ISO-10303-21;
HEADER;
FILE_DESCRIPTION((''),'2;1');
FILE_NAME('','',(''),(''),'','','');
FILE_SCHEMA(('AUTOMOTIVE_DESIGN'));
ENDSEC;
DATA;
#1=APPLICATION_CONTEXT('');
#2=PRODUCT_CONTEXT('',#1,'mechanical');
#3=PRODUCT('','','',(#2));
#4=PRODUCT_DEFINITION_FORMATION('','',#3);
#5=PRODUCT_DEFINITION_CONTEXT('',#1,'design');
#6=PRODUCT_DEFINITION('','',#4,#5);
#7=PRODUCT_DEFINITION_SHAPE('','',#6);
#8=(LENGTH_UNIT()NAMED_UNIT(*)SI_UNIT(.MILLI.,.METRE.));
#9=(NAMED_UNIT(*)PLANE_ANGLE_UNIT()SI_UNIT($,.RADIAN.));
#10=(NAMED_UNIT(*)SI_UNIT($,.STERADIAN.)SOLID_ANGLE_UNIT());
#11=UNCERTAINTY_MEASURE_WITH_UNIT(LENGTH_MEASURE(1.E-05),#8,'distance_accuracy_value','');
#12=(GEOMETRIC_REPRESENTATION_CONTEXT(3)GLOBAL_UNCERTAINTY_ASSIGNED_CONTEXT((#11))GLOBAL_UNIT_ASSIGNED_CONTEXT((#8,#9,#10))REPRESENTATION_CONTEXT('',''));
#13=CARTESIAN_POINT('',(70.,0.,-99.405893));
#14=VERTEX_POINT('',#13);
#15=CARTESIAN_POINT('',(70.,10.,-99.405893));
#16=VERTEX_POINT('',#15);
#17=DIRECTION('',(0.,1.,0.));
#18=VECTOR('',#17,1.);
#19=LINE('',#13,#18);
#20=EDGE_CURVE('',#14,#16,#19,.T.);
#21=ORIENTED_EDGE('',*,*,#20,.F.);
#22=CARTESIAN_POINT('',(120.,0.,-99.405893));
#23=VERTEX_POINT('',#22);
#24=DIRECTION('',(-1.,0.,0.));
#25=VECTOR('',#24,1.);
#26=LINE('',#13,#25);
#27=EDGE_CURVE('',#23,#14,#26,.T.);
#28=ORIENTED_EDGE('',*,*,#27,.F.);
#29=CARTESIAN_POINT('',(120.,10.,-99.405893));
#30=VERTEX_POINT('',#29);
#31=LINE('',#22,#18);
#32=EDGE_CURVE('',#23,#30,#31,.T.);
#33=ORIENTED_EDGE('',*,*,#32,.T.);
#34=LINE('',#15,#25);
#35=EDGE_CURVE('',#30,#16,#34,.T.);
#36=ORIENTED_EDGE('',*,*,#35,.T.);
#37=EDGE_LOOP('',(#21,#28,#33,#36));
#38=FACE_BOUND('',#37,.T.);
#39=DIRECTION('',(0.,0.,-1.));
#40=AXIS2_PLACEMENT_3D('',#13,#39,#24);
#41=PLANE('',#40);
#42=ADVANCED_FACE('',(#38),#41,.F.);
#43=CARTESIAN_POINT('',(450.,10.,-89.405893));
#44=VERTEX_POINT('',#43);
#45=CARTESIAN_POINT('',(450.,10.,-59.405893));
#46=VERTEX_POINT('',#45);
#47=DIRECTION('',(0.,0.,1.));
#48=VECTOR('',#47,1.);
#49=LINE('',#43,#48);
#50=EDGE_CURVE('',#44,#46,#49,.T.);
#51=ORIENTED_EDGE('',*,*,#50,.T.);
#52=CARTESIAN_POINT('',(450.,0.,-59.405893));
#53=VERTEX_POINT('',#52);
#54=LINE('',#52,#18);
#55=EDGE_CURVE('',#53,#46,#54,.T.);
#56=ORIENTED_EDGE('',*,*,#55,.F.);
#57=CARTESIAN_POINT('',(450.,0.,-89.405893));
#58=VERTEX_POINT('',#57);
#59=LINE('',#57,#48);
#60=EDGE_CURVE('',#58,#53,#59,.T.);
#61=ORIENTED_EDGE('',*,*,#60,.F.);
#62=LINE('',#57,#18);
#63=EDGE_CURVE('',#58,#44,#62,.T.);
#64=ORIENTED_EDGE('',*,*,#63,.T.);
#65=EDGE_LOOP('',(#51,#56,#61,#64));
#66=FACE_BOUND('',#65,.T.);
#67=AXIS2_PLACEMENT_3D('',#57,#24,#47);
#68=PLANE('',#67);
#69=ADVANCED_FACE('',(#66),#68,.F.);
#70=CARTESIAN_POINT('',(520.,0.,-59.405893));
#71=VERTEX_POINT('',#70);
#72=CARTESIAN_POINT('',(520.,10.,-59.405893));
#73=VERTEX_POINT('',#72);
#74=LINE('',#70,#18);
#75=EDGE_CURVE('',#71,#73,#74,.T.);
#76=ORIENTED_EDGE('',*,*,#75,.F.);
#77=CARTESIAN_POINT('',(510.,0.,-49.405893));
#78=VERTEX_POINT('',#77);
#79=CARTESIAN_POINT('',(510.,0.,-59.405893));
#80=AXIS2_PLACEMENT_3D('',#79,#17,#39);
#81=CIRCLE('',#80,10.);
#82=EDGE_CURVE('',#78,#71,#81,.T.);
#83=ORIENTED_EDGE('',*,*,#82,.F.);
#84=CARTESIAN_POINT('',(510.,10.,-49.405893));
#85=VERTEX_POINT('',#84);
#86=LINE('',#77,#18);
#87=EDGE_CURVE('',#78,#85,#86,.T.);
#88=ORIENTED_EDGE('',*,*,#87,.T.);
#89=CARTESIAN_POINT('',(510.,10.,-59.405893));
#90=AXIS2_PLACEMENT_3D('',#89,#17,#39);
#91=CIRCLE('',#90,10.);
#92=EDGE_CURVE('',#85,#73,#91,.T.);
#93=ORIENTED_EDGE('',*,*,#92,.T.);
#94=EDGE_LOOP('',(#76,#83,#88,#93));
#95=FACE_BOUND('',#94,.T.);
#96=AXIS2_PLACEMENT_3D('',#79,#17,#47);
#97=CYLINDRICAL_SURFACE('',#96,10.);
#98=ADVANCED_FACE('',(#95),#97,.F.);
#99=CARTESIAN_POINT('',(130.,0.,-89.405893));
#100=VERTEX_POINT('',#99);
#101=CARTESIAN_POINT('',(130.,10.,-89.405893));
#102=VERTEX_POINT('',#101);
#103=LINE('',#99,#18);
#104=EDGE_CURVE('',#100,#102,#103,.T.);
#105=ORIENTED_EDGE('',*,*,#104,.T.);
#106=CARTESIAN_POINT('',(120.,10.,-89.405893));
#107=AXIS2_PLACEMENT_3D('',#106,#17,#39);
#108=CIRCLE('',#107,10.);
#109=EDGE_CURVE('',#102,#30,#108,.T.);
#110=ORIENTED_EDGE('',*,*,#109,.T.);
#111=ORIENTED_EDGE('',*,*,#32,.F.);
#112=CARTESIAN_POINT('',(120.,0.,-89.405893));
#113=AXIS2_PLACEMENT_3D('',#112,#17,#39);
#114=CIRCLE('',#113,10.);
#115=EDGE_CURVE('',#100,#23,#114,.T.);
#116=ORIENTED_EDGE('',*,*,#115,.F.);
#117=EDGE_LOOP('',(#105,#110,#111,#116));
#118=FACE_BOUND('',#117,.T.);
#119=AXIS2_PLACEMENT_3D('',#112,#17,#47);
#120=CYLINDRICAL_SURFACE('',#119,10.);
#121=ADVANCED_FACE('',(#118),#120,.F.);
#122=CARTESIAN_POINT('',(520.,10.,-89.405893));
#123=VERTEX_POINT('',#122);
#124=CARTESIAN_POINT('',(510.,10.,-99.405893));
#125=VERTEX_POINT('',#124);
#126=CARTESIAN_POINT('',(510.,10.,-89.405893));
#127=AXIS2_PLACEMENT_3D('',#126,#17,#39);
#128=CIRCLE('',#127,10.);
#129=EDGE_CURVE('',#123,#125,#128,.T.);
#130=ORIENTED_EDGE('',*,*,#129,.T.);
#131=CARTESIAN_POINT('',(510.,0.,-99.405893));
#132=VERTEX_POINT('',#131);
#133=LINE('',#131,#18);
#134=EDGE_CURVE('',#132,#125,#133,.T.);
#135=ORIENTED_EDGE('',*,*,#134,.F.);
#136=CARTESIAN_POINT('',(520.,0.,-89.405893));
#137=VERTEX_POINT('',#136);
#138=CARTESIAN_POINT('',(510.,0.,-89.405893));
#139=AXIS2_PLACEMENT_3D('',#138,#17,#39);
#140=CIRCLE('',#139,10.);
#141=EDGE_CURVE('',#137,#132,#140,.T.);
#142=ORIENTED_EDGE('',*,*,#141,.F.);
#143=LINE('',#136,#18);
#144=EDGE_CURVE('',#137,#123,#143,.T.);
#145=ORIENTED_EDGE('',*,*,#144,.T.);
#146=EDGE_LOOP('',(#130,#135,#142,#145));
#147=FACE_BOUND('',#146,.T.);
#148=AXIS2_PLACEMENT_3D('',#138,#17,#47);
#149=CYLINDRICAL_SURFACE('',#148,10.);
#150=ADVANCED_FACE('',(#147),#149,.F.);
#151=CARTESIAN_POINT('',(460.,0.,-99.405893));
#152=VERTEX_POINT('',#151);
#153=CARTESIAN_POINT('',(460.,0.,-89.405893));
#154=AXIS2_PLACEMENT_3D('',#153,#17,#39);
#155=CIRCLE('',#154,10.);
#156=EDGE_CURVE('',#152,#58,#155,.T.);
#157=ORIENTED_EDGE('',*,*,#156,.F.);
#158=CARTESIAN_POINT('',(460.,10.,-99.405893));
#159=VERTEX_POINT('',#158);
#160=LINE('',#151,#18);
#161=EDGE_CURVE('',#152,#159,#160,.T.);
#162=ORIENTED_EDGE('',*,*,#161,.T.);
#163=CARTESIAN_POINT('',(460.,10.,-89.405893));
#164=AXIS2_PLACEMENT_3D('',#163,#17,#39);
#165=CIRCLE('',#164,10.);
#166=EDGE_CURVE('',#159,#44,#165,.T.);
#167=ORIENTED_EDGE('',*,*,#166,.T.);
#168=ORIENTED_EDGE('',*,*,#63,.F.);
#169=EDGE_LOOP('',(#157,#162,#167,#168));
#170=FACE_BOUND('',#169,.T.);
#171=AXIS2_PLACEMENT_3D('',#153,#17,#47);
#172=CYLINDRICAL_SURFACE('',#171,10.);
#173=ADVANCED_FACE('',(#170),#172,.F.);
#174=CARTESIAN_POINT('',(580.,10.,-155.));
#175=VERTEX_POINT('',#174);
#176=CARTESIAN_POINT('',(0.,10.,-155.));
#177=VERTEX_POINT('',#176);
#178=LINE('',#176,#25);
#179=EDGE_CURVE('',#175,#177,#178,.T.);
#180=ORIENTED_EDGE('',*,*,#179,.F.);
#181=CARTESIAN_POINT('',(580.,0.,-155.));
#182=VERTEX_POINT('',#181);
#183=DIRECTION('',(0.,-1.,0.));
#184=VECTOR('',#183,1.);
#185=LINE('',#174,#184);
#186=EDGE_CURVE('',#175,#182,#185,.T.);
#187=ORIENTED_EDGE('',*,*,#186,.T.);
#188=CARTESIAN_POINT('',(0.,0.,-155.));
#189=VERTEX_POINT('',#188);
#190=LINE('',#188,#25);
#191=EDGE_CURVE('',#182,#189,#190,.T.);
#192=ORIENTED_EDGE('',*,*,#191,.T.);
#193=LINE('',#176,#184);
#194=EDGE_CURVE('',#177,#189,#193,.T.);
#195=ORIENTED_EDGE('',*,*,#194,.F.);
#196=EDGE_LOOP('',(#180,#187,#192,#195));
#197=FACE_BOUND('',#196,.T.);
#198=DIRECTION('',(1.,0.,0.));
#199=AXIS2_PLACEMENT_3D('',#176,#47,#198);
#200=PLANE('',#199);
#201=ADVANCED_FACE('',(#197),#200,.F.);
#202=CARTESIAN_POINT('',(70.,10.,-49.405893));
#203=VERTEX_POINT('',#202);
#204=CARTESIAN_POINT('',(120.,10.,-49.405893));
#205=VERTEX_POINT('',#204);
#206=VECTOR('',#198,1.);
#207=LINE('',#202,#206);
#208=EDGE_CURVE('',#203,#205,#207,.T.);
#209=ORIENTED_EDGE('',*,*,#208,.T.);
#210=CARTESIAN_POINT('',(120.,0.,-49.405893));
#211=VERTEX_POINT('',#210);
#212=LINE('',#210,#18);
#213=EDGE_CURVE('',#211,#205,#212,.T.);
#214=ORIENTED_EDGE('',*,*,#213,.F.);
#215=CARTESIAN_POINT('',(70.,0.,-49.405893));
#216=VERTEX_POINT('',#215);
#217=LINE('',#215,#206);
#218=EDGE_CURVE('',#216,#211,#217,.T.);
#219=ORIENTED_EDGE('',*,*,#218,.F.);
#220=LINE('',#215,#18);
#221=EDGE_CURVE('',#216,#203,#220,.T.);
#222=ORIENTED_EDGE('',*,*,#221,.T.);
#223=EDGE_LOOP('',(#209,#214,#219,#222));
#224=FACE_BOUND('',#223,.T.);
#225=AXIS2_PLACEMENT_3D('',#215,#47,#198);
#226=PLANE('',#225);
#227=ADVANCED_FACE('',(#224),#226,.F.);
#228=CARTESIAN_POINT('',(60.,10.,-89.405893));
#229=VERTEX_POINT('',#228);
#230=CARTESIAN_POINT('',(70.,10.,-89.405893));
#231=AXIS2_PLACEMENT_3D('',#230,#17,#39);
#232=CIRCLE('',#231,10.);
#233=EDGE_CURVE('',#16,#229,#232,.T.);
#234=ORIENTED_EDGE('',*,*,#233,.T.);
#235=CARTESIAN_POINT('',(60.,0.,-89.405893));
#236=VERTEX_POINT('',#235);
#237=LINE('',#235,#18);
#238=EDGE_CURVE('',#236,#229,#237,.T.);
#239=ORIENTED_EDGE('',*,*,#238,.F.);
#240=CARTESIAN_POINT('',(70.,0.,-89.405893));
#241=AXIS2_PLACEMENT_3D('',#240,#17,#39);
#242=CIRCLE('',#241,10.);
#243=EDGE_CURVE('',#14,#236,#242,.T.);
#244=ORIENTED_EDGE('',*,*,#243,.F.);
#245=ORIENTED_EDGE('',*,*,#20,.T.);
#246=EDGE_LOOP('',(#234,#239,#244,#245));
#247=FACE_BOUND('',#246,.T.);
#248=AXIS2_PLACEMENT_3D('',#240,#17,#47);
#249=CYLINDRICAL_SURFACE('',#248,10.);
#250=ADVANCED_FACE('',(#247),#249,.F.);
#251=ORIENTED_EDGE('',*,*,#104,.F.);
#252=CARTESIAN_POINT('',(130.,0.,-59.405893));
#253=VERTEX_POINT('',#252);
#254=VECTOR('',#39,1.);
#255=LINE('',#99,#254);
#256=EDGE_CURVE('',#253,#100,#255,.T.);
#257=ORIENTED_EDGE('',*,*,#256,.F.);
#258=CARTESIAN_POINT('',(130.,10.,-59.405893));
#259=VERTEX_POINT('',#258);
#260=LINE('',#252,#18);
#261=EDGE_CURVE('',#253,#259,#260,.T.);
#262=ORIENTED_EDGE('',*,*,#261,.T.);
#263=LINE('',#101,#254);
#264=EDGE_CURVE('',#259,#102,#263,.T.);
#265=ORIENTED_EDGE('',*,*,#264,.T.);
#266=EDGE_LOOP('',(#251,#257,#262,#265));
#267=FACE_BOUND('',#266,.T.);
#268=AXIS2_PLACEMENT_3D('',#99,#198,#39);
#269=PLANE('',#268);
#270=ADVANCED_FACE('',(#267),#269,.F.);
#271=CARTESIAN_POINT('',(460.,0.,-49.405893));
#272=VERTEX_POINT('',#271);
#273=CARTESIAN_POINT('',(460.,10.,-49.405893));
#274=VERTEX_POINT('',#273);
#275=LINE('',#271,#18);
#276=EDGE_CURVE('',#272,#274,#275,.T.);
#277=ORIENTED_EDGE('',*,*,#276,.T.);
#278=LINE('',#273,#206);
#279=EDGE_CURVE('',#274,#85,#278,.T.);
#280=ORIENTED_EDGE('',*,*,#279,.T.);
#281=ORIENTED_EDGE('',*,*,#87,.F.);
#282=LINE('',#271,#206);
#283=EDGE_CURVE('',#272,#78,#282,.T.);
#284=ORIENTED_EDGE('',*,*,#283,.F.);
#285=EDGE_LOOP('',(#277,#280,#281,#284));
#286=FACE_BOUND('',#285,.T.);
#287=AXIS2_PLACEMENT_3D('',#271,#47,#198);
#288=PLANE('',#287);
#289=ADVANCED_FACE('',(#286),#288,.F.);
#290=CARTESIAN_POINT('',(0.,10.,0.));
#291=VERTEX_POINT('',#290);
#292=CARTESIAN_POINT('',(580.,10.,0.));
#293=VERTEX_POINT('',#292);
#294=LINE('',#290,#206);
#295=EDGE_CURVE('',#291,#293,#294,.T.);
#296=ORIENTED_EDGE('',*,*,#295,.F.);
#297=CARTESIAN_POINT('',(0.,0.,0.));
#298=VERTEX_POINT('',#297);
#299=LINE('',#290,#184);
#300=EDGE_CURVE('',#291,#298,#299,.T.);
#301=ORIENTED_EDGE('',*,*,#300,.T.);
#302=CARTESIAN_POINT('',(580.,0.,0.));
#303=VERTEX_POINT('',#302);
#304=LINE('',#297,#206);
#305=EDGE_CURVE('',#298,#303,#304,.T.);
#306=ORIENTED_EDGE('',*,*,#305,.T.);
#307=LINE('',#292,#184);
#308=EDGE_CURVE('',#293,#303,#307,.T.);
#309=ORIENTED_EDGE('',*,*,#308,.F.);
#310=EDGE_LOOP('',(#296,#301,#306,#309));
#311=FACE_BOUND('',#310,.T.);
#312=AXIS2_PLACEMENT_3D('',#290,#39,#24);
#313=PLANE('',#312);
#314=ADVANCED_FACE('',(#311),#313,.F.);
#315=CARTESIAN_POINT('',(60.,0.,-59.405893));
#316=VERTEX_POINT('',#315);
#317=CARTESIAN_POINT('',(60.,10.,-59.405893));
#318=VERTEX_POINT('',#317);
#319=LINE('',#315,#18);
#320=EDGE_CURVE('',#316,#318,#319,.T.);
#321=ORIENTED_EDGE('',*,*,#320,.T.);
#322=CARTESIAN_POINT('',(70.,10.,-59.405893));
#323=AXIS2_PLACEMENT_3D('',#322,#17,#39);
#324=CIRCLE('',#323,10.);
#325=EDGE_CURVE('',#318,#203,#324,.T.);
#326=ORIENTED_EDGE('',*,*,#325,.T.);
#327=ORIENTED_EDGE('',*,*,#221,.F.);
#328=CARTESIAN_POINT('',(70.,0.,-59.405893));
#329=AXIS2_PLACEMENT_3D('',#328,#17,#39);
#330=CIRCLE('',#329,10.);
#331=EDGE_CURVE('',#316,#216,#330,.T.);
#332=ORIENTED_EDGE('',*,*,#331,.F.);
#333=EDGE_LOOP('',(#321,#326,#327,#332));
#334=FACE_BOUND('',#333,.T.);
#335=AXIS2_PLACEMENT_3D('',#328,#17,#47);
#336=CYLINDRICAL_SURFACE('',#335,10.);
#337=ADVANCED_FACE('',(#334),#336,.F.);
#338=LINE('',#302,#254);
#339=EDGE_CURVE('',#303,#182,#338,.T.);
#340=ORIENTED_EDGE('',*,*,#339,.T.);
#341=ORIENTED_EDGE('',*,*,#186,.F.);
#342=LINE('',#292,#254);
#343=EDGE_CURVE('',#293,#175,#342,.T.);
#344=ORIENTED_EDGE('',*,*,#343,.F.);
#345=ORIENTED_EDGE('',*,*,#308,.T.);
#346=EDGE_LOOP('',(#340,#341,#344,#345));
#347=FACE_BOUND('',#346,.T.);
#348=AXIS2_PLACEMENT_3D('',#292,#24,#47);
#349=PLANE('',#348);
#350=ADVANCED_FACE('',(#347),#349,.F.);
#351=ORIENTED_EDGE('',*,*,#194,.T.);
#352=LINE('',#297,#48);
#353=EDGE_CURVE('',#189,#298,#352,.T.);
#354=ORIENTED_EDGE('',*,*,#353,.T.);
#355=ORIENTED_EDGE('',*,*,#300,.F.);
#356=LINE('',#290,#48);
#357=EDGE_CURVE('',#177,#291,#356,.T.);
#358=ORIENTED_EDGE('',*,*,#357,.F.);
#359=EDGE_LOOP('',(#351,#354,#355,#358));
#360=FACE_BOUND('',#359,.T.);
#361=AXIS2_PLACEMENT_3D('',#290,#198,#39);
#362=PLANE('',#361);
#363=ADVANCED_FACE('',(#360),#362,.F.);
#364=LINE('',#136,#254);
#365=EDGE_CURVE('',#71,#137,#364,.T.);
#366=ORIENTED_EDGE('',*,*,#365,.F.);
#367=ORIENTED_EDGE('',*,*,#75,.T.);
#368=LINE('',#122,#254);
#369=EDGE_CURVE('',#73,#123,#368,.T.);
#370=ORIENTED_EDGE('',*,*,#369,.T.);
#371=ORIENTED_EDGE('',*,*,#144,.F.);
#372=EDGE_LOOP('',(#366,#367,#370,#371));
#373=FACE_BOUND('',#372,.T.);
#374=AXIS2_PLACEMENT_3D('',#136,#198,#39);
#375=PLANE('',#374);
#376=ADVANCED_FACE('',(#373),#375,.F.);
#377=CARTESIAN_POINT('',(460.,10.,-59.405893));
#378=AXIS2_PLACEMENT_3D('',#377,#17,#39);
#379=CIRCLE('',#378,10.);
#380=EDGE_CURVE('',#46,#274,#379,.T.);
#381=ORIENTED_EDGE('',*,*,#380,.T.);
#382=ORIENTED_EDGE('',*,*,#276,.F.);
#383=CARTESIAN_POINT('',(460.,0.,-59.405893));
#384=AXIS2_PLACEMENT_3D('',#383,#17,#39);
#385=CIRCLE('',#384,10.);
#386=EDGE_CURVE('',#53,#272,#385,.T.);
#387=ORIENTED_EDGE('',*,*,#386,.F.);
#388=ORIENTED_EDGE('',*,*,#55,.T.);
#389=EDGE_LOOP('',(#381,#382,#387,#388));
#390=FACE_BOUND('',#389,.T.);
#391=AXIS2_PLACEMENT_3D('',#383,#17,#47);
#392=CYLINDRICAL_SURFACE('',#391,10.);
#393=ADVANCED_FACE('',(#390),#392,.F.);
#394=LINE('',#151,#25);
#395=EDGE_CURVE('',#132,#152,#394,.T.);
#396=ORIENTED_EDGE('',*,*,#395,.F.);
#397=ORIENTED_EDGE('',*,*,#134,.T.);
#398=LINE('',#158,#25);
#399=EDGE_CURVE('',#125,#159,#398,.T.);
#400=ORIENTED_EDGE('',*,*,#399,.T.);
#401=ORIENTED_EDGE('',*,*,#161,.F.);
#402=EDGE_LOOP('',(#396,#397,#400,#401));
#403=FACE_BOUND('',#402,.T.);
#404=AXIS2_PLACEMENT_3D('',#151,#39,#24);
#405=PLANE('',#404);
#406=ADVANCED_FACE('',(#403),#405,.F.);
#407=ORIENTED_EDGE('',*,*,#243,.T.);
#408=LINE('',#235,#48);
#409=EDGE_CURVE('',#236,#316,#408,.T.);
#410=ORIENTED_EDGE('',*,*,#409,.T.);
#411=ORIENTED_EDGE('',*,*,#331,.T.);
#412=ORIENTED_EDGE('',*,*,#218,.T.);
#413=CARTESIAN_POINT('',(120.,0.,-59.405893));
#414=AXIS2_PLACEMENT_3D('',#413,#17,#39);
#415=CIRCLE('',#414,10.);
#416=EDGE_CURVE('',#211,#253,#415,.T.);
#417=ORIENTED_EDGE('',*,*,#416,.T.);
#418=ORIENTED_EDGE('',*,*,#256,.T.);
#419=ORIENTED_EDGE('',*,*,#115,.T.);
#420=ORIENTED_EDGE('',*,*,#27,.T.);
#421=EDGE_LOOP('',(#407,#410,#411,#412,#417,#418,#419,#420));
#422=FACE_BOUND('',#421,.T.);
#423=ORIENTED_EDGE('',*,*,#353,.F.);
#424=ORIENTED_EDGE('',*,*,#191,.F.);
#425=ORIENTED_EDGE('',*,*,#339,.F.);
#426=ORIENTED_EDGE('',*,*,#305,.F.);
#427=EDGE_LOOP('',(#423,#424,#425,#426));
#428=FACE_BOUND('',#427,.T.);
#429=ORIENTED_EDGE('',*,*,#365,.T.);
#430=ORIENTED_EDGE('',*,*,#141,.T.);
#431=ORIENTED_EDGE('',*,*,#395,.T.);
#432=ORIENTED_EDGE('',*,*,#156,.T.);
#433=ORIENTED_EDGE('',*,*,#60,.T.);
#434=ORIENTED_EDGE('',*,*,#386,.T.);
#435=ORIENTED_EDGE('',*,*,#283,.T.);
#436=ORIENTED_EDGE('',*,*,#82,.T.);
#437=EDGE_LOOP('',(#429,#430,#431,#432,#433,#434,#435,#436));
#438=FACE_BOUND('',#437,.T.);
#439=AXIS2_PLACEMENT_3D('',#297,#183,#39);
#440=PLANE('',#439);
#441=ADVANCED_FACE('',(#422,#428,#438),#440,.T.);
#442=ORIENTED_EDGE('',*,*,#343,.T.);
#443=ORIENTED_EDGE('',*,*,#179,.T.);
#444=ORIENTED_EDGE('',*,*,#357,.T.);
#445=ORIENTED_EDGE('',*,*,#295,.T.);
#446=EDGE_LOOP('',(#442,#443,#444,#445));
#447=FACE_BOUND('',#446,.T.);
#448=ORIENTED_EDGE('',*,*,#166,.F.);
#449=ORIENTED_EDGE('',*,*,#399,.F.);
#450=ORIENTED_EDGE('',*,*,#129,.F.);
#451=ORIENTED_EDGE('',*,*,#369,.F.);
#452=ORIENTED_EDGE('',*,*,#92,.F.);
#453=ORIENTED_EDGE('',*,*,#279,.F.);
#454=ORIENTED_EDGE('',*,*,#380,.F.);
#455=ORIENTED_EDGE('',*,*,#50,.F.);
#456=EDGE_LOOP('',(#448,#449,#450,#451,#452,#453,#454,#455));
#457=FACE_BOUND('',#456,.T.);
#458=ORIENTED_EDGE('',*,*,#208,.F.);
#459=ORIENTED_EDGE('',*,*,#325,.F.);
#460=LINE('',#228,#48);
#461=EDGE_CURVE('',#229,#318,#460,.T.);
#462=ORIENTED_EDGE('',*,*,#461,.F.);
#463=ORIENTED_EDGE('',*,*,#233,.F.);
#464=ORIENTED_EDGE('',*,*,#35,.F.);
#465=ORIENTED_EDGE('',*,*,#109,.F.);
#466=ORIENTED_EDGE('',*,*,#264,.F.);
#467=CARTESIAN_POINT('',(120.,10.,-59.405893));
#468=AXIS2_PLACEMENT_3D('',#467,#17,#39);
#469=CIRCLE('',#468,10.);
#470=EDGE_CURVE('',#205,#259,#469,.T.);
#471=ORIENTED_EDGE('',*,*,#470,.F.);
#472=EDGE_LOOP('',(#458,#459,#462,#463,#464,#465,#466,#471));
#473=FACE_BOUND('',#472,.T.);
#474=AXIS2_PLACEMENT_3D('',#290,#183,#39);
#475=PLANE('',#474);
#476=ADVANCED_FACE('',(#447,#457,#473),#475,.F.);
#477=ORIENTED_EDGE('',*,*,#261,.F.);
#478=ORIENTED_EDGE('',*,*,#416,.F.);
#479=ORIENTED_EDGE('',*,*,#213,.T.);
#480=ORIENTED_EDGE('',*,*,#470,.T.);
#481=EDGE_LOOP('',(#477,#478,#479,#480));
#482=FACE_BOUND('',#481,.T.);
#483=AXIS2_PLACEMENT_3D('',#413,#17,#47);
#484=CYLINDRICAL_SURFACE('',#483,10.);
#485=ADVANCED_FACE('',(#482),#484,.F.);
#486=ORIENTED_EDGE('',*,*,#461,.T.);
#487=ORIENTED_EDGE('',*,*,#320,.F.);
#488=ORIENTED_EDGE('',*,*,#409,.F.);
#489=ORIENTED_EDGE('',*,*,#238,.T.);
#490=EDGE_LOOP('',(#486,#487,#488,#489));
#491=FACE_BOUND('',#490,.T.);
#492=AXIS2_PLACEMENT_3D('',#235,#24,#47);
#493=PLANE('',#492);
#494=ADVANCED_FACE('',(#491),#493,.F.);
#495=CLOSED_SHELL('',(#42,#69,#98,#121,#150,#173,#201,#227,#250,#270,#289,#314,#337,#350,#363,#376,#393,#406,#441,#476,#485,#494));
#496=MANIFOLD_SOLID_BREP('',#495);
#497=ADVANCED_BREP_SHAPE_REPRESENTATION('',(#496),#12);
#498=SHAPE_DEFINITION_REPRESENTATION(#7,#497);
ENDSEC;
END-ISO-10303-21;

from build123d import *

# Parameters (mm, degrees)
ESQUISSE1_W             = 580
ESQUISSE1_H             = 155
BOSS_EXTRU_1_DEPTH      = 10
ENL_V_MAT_EXTRU_1_DEPTH = 10


with BuildPart() as part:
    # Esquisse1 → Boss.-Extru.1 (new body)
    with BuildSketch(Plane(origin=(0, 0, 0), x_dir=(1, 0, 0), z_dir=(0, 1, 0))):
        with Locations((290, 77.5)):
            Rectangle(ESQUISSE1_W, ESQUISSE1_H)
    extrude(amount=BOSS_EXTRU_1_DEPTH)

    # Esquisse2 → Enlèv. mat.-Extru.1 (cut)
    with BuildSketch(Plane(origin=(0, 10, 0), x_dir=(1, 0, 0), z_dir=(0, 1, 0))):
        with BuildLine():
            Line((70, 99.405892869), (120, 99.405892869))
            ThreePointArc((120, 99.405892869), (127.071067812, 96.476960681), (130, 89.405892869))
            Line((130, 89.405892869), (130, 59.405892869))
            ThreePointArc((130, 59.405892869), (127.071067812, 52.334825057), (120, 49.405892869))
            Line((120, 49.405892869), (70, 49.405892869))
            ThreePointArc((70, 49.405892869), (62.928932188, 52.334825057), (60, 59.405892869))
            Line((60, 59.405892869), (60, 89.405892869))
            ThreePointArc((60, 89.405892869), (62.928932188, 96.476960681), (70, 99.405892869))
        make_face()
        with BuildLine():
            Line((460, 99.405892869), (510, 99.405892869))
            ThreePointArc((510, 99.405892869), (517.071067812, 96.476960681), (520, 89.405892869))
            Line((520, 89.405892869), (520, 59.405892869))
            ThreePointArc((520, 59.405892869), (517.071067812, 52.334825057), (510, 49.405892869))
            Line((510, 49.405892869), (460, 49.405892869))
            ThreePointArc((460, 49.405892869), (452.928932188, 52.334825057), (450, 59.405892869))
            Line((450, 59.405892869), (450, 89.405892869))
            ThreePointArc((450, 89.405892869), (452.928932188, 96.476960681), (460, 99.405892869))
        make_face()
    extrude(amount=-ENL_V_MAT_EXTRU_1_DEPTH, mode=Mode.SUBTRACT)


solid = part.part
